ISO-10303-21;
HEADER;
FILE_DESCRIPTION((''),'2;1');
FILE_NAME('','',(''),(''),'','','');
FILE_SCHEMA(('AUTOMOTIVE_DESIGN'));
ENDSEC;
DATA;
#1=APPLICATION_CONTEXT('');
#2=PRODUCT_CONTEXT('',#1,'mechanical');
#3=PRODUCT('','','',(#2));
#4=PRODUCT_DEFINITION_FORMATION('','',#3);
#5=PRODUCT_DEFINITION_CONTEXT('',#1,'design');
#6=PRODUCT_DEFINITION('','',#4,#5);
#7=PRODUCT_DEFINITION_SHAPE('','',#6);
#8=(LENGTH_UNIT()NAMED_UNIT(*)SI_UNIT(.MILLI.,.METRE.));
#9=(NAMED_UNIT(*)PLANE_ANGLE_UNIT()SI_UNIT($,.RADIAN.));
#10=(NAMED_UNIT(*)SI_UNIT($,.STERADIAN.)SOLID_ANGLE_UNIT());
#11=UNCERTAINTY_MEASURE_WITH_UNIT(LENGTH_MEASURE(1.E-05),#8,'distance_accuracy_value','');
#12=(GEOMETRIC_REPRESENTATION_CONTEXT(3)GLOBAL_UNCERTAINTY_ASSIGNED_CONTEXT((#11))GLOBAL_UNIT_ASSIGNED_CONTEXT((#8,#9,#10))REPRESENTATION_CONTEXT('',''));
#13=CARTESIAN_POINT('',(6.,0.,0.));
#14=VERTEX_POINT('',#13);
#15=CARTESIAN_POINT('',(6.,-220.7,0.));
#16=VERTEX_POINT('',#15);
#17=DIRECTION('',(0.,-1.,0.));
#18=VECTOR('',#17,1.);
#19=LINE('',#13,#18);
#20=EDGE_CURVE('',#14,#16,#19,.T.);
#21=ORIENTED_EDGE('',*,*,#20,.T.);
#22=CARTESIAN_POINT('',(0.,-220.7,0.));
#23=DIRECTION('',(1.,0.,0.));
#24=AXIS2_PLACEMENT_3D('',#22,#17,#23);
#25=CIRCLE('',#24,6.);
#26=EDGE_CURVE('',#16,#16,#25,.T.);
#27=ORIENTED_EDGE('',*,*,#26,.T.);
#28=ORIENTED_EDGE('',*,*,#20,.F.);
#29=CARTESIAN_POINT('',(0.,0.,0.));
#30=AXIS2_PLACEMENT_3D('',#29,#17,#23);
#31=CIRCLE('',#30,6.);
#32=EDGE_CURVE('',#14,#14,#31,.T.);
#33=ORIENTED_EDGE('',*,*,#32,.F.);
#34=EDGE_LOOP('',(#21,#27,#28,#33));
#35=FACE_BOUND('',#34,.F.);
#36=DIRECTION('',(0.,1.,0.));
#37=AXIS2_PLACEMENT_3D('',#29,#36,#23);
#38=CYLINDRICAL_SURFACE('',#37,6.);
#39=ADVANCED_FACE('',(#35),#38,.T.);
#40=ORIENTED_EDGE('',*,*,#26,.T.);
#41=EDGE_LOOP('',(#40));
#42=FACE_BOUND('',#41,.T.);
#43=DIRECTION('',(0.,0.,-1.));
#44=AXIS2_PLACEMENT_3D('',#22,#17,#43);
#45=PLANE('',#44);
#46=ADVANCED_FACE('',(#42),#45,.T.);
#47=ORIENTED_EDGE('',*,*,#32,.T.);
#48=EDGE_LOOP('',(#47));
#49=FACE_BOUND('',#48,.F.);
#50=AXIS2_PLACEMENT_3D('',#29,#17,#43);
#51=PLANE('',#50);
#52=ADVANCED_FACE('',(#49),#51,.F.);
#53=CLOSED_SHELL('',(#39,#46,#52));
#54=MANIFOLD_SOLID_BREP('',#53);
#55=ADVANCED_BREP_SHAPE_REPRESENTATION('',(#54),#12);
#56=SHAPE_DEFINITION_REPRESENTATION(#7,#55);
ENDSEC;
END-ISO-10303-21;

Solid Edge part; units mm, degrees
sketch "Sketch1" plane through (0, 0, 0) normal (0, -1, 0) x (1, 0, 0)
  circle A0 centre (0, 0) radius 6
extrude "Protrusion1" add sketch "Sketch1" along normal blind 220.7
